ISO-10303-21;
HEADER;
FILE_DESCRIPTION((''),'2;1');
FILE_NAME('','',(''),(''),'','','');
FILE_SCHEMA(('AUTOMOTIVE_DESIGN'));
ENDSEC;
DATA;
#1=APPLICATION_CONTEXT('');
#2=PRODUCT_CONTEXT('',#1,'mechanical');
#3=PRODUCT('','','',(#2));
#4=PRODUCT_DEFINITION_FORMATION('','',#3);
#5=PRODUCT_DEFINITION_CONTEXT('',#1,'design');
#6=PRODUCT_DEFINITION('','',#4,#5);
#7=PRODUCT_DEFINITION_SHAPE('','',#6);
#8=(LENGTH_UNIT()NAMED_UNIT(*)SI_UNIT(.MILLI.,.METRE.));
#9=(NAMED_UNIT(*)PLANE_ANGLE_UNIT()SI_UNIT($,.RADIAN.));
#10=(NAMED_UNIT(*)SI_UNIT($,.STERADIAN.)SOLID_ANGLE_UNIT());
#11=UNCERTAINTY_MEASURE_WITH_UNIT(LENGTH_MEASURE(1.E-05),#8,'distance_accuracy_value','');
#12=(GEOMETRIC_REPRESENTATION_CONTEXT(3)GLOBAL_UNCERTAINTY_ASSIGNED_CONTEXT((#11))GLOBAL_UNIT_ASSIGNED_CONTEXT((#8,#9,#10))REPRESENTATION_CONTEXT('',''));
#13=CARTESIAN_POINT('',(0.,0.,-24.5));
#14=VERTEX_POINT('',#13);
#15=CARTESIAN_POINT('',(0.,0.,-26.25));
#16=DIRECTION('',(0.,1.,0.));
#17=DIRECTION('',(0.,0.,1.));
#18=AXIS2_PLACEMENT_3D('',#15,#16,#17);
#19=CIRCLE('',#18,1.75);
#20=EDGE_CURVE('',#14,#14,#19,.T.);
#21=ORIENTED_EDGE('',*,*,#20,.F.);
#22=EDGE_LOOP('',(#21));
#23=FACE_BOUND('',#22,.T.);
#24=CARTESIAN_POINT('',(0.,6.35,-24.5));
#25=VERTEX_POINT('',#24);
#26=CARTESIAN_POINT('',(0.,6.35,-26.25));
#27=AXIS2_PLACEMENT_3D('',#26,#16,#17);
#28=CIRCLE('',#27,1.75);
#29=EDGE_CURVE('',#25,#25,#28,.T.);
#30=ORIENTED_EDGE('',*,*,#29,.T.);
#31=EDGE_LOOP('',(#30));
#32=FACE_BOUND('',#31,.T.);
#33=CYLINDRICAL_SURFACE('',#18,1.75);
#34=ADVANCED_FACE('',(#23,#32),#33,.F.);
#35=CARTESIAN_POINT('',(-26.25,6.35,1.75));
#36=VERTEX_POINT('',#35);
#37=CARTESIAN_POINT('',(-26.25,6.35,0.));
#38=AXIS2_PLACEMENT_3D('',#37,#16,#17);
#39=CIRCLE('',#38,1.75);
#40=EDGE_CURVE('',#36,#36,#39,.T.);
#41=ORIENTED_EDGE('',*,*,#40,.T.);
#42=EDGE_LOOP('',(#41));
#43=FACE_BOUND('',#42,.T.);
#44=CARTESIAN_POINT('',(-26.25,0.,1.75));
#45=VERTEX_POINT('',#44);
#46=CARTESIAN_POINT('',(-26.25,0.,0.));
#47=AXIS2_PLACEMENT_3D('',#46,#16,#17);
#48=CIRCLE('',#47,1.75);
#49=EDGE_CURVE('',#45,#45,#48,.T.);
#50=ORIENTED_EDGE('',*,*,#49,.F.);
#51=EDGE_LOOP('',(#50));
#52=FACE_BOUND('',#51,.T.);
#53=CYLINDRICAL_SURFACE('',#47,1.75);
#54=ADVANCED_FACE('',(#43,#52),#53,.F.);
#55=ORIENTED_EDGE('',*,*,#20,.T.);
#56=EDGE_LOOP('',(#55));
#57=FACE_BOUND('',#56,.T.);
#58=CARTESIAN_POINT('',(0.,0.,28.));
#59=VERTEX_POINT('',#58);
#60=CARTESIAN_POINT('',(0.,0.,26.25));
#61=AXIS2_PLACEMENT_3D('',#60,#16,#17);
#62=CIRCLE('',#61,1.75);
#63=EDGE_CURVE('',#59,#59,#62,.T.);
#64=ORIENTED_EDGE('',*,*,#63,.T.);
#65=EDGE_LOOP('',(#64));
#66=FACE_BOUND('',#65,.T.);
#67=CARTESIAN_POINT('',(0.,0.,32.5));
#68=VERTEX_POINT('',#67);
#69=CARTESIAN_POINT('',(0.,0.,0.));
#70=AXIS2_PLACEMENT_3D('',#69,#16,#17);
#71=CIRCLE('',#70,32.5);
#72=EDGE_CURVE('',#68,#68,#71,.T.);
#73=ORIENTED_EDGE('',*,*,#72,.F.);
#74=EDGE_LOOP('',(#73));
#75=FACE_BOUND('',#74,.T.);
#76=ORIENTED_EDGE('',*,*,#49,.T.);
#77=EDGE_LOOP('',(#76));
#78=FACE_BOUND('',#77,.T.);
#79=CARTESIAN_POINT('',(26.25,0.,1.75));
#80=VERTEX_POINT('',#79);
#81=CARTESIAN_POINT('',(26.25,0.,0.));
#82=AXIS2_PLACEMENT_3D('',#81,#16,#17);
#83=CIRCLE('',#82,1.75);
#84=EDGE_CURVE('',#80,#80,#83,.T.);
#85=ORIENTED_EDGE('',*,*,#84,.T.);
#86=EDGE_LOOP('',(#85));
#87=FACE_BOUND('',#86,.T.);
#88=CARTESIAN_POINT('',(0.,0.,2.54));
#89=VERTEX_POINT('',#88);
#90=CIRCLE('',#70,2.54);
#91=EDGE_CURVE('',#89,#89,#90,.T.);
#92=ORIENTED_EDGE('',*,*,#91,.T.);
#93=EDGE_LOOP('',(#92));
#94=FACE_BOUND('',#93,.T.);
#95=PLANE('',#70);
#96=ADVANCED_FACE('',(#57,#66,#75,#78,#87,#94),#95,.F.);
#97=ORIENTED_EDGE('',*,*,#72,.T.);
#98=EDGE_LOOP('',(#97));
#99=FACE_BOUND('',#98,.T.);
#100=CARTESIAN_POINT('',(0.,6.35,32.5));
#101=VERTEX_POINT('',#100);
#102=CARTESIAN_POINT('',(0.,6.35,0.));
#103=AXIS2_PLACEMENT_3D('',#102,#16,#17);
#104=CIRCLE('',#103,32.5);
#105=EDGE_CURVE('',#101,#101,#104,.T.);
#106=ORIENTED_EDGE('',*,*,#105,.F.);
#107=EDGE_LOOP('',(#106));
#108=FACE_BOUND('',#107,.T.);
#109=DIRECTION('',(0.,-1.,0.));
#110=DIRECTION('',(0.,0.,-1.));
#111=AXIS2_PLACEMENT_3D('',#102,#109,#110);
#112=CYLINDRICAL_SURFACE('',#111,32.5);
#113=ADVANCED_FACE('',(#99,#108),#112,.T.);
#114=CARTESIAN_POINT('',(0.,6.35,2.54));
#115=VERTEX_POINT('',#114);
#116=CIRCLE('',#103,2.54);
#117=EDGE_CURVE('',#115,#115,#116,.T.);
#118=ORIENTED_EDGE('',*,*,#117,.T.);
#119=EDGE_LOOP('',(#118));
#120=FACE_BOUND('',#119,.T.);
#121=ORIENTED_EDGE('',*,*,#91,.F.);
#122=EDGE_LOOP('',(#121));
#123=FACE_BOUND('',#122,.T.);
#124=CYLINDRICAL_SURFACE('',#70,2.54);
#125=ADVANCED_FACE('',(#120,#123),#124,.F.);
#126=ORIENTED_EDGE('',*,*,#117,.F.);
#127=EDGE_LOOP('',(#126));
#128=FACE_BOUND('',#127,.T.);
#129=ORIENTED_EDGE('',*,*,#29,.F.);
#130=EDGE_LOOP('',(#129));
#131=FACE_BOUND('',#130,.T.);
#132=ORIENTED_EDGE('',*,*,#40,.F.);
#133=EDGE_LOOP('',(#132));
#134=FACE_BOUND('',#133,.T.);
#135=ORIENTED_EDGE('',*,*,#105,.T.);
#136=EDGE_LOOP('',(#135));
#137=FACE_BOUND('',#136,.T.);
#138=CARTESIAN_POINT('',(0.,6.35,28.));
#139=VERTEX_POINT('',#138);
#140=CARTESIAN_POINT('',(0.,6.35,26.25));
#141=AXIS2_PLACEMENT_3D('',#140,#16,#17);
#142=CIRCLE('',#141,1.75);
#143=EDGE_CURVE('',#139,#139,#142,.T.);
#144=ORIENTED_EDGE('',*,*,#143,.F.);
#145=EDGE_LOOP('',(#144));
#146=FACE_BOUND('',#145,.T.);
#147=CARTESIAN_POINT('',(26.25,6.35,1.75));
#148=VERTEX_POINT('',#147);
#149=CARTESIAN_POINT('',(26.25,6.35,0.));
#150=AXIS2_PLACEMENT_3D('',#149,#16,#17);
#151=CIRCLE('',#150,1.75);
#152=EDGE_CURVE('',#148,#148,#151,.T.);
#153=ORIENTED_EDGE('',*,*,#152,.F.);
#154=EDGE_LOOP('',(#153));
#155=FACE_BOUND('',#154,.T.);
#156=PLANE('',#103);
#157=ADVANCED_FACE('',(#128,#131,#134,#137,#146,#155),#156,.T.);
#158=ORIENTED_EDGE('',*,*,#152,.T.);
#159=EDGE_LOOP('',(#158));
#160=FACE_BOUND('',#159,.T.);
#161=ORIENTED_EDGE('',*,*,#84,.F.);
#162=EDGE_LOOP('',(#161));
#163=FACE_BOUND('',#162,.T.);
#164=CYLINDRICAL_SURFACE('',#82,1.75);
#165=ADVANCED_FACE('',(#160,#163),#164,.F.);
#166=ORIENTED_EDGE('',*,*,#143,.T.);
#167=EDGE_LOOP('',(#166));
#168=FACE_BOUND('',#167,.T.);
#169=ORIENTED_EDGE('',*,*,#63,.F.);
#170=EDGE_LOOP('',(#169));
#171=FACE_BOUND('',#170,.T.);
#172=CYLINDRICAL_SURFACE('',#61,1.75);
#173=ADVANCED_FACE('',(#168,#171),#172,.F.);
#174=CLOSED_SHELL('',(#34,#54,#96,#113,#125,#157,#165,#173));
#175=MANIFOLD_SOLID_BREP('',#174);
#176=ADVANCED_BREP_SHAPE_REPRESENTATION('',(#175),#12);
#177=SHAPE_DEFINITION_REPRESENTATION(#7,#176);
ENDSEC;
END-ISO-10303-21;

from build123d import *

# Parameters (mm, degrees)
SKETCH1_R               = 32.5
BOSS_EXTRUDE1_DEPTH     = 6.35
ESQUISSE1_R             = 2.54
ENL_V_MAT_EXTRU_1_DEPTH = 47.398518295
ESQUISSE3_R             = 1.75
ENL_V_MAT_EXTRU_2_DEPTH = 47.398518295


with BuildPart() as part:
    # Sketch1 → Boss-Extrude1 (new body)
    with BuildSketch(Plane(origin=(0, 0, 0), x_dir=(1, 0, 0), z_dir=(0, 1, 0))):
        with Locations(Location((0, 0, 0), (0, 0, 270))):
            Circle(SKETCH1_R)
    extrude(amount=BOSS_EXTRUDE1_DEPTH)

    # Esquisse1 → Enlèv. mat.-Extru.1 (cut, through all)
    with BuildSketch(Plane(origin=(0, 6.35, 0), x_dir=(1, 0, 0), z_dir=(0, 1, 0))):
        with Locations(Location((0, 0, 0), (0, 0, 270))):
            Circle(ESQUISSE1_R)
    extrude(amount=-ENL_V_MAT_EXTRU_1_DEPTH, mode=Mode.SUBTRACT)

    # Esquisse3 → Enlèv. mat.-Extru.2 (cut, through all)
    with BuildSketch(Plane(origin=(0, 6.35, 0), x_dir=(1, 0, 0), z_dir=(0, 1, 0))):
        with Locations(Location((0, -26.25, 0), (0, 0, 270))):
            Circle(ESQUISSE3_R)
        with Locations(Location((26.25, 0, 0), (0, 0, 270))):
            Circle(ESQUISSE3_R)
        with Locations(Location((0, 26.25, 0), (0, 0, 270))):
            Circle(ESQUISSE3_R)
        with Locations(Location((-26.25, 0, 0), (0, 0, 270))):
            Circle(ESQUISSE3_R)
    extrude(amount=-ENL_V_MAT_EXTRU_2_DEPTH, mode=Mode.SUBTRACT)


solid = part.part
